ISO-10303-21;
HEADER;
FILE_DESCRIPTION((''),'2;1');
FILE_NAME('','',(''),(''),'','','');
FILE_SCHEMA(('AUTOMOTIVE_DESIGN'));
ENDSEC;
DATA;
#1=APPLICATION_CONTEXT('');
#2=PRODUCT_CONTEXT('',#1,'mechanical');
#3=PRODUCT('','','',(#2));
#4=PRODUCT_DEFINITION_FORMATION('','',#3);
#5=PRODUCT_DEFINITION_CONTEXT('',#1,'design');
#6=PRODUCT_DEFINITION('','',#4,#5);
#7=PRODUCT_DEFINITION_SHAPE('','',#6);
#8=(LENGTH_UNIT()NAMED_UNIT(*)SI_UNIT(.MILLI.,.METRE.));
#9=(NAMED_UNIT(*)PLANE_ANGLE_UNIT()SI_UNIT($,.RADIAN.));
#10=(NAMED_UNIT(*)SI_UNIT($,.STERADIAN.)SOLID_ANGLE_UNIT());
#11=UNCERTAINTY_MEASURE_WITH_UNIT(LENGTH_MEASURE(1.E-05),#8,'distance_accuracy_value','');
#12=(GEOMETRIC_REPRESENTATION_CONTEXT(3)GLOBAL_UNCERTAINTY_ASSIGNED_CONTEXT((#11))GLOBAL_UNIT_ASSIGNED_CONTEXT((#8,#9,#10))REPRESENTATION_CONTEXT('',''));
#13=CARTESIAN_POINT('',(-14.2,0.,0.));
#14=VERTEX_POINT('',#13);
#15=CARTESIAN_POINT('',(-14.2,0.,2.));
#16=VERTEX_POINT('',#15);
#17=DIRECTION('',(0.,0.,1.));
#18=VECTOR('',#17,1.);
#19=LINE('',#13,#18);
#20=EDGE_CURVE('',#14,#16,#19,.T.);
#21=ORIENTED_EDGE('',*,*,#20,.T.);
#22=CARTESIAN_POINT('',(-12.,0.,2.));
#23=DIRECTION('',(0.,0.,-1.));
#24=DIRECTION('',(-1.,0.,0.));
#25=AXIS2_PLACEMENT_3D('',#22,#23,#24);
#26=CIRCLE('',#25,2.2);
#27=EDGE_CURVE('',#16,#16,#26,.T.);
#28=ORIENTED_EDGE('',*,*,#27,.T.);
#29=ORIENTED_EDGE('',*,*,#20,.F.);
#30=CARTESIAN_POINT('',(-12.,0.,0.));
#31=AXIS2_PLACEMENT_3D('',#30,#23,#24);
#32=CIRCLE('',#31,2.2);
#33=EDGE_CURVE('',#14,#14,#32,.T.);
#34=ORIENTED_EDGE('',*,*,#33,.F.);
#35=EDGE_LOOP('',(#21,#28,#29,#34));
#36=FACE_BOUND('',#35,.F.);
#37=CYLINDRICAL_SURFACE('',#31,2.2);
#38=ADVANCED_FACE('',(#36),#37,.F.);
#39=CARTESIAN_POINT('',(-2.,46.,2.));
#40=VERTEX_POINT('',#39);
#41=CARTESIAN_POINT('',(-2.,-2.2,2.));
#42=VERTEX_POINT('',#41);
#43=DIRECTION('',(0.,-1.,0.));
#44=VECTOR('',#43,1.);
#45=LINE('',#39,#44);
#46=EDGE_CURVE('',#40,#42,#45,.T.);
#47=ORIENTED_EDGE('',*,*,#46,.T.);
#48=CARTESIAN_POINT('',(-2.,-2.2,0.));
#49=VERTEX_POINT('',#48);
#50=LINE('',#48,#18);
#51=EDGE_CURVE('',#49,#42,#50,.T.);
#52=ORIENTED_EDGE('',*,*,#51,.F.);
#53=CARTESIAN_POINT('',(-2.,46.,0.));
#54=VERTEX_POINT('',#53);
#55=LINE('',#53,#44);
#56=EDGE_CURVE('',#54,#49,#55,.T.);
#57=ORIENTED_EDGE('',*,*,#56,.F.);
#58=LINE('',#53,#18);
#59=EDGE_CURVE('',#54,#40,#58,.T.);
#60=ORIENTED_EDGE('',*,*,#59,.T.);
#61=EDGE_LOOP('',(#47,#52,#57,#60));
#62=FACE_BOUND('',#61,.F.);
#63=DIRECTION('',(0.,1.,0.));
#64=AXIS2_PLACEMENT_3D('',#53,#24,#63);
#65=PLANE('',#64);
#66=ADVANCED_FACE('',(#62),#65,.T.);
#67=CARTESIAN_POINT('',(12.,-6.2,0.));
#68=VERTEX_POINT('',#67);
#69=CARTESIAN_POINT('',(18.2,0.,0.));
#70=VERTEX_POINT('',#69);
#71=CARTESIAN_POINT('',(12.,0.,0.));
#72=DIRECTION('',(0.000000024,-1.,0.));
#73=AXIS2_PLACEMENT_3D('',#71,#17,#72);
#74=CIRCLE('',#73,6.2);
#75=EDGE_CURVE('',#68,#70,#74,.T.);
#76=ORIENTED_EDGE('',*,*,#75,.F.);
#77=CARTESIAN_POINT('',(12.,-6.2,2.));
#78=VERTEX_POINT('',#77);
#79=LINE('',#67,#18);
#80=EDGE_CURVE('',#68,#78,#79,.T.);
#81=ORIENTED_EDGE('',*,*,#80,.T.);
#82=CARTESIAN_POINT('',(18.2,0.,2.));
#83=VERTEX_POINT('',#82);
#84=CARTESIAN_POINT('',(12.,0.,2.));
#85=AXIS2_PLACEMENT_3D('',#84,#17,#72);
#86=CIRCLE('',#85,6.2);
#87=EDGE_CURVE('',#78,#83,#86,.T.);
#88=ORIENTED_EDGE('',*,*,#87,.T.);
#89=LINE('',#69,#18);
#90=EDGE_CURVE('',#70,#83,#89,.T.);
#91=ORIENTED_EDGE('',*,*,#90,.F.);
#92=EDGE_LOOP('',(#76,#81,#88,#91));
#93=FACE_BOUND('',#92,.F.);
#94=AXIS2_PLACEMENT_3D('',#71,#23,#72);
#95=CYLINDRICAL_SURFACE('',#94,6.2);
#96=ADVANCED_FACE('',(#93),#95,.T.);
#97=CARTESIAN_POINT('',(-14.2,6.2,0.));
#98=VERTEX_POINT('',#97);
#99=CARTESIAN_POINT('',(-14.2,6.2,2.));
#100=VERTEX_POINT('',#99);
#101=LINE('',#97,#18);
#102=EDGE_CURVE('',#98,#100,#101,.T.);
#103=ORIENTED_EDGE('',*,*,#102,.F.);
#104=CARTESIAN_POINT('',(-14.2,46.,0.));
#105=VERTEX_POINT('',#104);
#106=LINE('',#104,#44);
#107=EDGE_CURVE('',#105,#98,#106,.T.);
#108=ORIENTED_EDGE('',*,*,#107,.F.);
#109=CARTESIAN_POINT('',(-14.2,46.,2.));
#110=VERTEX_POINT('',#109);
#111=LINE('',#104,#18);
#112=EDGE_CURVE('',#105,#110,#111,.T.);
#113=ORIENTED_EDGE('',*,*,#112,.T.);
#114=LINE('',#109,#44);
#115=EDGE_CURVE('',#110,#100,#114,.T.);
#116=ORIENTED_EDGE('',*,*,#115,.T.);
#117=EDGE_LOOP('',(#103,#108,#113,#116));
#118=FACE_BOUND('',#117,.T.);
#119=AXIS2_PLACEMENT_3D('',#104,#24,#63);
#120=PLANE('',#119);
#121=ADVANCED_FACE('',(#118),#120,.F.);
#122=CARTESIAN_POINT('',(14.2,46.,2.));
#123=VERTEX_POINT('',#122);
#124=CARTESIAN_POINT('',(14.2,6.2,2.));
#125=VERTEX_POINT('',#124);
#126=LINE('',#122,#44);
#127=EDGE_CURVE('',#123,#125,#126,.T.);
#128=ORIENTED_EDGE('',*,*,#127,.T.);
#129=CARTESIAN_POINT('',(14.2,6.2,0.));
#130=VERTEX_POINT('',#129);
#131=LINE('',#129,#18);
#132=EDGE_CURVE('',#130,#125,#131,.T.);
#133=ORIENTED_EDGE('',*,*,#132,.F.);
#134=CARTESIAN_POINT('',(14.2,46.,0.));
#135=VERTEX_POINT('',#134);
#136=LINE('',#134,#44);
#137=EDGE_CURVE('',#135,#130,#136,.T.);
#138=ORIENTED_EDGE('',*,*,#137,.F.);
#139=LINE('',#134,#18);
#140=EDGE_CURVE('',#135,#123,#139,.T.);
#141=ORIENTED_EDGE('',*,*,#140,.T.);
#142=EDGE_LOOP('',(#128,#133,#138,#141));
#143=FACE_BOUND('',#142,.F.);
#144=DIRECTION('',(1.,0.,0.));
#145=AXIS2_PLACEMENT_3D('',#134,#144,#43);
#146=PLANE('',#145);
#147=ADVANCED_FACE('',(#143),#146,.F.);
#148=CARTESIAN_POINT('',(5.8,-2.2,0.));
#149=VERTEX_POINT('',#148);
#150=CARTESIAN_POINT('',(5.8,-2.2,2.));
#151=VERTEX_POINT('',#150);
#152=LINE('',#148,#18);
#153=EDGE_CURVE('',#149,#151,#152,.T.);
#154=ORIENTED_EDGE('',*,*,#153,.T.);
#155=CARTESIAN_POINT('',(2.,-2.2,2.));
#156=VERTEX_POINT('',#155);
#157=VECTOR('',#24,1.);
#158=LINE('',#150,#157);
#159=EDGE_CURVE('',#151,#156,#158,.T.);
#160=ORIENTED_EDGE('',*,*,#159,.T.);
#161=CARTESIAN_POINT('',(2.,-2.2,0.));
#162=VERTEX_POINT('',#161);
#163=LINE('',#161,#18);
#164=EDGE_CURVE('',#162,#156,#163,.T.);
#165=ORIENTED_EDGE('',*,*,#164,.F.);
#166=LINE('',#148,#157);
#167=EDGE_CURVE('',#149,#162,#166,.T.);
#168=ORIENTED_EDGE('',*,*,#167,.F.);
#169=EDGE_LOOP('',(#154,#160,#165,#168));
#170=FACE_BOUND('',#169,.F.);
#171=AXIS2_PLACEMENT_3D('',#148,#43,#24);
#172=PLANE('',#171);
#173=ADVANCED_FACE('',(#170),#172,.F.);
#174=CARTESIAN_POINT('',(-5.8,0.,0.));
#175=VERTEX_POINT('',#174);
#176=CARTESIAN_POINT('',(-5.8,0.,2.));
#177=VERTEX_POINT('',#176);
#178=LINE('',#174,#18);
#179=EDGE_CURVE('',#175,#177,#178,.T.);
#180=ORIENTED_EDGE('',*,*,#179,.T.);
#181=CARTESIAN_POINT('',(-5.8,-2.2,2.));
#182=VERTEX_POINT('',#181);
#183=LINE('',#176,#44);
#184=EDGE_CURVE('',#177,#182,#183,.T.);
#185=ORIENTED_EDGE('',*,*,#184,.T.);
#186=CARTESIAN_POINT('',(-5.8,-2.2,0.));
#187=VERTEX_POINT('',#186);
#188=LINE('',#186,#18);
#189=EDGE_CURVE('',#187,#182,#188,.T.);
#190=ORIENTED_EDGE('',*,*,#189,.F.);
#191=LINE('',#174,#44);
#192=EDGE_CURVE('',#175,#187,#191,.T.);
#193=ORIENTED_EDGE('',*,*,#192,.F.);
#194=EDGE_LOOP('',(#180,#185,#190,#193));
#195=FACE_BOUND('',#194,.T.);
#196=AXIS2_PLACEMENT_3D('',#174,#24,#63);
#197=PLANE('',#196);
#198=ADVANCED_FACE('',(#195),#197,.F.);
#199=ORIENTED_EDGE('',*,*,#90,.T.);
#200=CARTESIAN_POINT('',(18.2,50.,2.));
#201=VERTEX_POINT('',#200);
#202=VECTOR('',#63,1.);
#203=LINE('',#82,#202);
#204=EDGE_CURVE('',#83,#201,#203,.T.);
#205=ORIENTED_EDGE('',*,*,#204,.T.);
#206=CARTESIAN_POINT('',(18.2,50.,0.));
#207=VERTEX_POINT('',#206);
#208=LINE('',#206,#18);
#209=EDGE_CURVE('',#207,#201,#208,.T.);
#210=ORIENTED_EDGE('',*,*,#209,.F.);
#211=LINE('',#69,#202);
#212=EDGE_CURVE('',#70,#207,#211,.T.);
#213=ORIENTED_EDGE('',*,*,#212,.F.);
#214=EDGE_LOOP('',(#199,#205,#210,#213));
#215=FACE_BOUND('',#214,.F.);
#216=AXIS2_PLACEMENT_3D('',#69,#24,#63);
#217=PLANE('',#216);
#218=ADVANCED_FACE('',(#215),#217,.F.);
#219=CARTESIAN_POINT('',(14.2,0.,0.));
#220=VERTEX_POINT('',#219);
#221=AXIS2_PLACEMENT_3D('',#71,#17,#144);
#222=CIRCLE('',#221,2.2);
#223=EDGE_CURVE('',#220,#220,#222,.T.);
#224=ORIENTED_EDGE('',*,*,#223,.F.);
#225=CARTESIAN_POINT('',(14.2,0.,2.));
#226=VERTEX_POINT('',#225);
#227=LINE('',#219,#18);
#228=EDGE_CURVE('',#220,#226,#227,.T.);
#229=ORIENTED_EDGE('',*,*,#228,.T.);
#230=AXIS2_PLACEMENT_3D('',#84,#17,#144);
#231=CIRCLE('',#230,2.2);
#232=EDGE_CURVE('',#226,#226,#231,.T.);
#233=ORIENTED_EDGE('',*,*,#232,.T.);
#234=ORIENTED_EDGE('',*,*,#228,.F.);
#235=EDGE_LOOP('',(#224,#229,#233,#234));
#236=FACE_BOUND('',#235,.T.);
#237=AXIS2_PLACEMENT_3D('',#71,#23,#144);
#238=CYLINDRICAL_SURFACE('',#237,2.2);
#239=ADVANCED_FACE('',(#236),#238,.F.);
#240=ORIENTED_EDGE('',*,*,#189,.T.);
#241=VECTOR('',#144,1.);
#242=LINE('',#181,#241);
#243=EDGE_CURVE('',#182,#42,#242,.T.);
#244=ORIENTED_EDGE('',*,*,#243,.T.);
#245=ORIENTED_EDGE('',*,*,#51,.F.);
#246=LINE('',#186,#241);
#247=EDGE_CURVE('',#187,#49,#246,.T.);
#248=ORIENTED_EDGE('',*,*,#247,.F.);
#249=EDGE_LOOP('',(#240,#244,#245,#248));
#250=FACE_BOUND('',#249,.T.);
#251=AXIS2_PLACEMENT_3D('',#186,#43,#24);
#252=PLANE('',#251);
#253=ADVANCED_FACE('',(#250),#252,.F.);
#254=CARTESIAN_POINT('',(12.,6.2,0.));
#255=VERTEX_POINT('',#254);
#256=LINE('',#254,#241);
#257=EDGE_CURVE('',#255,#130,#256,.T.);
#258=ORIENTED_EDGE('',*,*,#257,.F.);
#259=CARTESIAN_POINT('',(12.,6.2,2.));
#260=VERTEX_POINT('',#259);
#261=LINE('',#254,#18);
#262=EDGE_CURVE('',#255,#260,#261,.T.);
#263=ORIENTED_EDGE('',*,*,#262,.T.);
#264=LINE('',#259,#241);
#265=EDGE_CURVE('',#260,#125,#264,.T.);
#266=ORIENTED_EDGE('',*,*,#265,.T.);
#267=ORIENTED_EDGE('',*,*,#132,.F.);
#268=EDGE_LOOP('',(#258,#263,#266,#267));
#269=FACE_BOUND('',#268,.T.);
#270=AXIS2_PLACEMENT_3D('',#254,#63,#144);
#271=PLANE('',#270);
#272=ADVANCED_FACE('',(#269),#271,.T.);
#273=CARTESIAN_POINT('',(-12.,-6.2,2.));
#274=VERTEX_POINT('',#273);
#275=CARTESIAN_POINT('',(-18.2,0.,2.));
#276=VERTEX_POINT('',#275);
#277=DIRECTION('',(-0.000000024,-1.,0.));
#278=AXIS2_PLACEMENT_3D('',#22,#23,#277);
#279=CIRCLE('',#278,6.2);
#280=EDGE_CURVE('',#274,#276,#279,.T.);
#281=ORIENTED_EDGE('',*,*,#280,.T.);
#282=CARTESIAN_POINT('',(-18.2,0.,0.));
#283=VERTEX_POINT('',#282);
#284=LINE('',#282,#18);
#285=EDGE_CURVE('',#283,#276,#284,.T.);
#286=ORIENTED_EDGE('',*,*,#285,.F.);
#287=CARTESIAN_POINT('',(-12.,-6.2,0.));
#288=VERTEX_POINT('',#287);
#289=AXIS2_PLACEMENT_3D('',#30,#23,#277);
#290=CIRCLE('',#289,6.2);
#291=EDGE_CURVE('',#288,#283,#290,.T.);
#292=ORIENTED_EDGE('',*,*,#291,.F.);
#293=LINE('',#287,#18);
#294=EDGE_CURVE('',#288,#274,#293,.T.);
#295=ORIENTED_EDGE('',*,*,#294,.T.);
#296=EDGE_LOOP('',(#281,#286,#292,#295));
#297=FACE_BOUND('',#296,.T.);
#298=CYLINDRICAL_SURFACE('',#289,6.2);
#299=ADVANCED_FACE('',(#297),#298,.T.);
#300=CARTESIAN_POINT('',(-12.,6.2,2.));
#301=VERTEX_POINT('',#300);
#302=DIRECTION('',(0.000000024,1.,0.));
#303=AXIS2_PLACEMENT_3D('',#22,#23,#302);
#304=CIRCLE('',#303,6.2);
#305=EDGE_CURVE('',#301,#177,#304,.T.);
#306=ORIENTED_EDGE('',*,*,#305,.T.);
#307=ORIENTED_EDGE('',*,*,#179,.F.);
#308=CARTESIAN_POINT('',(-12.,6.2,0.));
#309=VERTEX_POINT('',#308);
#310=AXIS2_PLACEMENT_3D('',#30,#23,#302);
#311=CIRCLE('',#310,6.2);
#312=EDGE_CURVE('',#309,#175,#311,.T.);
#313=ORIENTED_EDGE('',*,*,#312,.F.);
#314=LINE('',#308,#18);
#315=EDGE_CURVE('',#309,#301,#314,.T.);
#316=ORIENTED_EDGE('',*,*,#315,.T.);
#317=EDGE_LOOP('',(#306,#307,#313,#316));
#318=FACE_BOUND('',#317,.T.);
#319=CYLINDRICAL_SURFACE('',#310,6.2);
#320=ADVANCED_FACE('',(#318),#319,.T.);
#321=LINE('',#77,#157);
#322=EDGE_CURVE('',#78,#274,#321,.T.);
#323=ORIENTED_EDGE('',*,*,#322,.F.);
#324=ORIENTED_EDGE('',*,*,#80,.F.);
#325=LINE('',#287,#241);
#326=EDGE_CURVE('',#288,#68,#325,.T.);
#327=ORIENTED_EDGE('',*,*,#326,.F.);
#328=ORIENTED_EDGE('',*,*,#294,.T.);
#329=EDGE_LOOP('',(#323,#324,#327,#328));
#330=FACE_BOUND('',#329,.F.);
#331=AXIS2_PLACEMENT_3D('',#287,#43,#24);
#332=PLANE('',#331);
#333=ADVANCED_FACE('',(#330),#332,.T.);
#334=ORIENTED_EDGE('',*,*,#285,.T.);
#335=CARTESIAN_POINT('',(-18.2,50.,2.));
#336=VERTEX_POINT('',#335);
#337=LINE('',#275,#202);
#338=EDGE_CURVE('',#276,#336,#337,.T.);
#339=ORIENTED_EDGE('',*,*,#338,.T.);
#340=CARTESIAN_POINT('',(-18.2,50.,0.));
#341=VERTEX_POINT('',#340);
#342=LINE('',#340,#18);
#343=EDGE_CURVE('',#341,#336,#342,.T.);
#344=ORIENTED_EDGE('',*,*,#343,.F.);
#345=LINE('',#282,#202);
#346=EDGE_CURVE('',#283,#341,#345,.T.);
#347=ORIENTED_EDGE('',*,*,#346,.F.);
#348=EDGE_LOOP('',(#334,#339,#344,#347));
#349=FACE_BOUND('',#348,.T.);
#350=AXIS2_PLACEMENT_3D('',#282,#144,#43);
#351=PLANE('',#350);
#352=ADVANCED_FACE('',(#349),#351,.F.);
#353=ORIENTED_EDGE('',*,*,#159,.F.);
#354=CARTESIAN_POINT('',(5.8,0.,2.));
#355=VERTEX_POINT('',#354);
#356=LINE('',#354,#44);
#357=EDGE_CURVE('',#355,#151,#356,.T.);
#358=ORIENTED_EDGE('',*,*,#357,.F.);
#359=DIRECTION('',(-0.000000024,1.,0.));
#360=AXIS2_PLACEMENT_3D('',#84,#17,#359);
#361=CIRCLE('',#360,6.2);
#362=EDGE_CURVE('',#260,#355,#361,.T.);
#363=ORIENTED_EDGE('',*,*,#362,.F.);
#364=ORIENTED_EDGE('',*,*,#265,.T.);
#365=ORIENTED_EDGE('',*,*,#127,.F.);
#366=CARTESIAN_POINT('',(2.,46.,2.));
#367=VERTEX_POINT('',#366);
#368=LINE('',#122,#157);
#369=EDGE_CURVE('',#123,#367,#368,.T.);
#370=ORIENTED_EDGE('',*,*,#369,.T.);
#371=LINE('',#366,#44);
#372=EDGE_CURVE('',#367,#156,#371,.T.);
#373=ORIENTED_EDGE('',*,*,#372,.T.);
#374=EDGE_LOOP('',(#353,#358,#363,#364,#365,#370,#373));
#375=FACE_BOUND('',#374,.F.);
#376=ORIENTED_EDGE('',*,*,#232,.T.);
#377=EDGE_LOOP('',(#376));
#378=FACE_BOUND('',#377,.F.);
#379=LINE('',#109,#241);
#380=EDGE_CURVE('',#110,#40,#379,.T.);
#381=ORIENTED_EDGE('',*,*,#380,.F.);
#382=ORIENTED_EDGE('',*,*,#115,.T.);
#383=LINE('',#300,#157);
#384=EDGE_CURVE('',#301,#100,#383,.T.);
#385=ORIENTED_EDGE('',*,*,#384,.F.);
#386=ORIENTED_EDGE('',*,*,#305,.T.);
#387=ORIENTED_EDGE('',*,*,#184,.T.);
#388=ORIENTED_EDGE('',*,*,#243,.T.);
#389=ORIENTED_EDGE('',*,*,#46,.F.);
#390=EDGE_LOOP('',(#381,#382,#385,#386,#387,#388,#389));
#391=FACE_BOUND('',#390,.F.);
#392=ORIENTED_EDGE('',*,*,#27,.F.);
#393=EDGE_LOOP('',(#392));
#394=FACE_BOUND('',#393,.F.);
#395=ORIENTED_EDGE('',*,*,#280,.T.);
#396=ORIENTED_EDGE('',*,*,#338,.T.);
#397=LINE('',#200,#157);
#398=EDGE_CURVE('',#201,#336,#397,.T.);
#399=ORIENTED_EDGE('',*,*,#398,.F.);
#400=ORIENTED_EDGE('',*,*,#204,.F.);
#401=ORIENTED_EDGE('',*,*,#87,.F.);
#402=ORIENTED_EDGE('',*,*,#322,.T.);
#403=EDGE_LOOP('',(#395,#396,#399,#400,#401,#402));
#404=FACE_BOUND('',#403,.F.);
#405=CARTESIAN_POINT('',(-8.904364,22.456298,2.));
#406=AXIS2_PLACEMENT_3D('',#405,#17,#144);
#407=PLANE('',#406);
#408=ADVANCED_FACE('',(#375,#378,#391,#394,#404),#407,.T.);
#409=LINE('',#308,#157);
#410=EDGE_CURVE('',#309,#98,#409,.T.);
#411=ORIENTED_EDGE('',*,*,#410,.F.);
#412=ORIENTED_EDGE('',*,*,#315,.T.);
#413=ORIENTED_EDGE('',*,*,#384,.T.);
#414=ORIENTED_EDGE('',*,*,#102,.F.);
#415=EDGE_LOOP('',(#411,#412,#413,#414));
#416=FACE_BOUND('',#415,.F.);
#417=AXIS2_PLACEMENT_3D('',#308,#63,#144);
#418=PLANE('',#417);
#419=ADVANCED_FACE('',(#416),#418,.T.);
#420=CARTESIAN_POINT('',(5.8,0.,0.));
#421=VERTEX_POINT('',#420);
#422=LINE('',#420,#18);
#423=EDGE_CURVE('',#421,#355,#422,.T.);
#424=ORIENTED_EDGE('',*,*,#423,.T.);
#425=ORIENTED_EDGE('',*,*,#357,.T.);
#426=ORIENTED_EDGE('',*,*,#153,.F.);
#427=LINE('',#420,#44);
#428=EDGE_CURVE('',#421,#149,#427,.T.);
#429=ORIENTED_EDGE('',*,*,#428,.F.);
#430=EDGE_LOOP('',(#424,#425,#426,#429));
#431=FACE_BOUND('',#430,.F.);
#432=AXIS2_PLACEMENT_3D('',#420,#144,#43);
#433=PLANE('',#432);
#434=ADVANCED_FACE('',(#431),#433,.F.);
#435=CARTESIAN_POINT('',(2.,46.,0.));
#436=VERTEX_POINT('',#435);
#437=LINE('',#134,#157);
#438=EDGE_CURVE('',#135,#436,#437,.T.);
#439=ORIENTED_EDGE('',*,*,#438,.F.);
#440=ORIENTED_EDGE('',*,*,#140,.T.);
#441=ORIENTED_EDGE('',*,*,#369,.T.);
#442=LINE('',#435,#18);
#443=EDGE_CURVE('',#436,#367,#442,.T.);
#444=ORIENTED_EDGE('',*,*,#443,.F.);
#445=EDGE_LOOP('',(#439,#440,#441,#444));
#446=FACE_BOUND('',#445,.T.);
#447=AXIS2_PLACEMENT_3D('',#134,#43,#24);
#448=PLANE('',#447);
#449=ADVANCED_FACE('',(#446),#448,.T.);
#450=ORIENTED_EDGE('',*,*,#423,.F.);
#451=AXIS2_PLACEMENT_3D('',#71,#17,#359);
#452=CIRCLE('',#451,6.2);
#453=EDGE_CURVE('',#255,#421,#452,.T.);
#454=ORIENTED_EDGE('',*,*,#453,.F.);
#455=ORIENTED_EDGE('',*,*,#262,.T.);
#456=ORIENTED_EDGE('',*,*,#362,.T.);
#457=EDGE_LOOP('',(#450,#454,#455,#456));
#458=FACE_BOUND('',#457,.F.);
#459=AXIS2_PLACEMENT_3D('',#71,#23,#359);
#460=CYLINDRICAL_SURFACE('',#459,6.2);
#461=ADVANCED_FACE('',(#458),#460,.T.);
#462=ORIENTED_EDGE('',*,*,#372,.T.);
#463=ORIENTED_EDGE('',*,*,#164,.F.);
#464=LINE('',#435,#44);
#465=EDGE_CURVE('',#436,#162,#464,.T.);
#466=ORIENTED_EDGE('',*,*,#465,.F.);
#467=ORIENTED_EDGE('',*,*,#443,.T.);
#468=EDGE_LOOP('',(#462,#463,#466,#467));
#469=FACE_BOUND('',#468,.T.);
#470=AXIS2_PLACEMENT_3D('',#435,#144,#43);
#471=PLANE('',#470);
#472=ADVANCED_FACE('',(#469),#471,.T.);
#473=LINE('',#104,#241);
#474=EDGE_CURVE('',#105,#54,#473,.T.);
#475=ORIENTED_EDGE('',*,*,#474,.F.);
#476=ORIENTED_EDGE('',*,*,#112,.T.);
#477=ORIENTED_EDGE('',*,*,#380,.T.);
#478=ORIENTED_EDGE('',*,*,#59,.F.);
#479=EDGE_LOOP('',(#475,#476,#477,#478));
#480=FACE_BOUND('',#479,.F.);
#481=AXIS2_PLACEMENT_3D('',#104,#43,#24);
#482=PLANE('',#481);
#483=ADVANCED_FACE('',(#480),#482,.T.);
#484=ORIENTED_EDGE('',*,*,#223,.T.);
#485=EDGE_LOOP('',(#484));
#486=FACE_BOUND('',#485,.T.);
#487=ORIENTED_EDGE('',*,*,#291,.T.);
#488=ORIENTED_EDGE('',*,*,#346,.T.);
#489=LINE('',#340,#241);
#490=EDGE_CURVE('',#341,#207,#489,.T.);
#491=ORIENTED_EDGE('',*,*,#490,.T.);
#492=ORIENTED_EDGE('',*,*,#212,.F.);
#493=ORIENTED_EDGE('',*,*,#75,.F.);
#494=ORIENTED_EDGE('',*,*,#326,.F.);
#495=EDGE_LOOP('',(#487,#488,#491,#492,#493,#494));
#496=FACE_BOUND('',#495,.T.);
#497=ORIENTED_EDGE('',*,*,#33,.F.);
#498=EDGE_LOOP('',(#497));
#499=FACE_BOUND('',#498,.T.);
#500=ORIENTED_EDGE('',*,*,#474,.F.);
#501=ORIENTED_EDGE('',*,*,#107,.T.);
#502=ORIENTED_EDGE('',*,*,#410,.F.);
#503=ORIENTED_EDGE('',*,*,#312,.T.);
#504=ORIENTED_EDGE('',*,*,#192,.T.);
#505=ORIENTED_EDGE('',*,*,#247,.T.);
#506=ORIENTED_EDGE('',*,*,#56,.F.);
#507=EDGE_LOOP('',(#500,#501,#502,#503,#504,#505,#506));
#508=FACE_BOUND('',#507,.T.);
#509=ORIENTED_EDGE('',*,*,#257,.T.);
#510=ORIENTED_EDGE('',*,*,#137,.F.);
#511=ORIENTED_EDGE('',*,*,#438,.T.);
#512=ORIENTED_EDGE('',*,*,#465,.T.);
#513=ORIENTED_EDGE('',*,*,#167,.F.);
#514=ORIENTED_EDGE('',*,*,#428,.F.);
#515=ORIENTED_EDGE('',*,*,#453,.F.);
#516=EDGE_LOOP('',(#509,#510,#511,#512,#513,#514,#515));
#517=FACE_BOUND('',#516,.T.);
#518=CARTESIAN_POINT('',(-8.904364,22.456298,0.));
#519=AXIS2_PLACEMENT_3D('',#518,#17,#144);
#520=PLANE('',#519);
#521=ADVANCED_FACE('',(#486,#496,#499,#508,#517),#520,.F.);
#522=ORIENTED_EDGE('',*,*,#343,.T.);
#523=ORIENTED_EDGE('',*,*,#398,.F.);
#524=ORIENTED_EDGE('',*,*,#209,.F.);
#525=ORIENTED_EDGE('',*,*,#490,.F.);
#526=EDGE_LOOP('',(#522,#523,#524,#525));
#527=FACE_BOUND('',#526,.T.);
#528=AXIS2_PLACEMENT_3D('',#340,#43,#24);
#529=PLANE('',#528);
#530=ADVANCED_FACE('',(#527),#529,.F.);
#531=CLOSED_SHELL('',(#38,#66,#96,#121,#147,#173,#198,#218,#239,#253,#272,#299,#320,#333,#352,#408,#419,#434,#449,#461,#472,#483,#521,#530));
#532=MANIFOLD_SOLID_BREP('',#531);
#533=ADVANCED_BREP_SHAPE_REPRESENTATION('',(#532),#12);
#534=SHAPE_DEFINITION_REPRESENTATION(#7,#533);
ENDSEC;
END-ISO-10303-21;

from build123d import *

# Parameters (mm, degrees)
SKETCH_R  = 2.2
PAD_DEPTH = 2


with BuildPart() as part:
    # Sketch → Pad (new body)
    with BuildSketch(Plane.XY):
        with BuildLine():
            ThreePointArc((12, -6.2), (16.384062, -4.384062), (18.2, 0))
            Line((18.2, 0), (18.2, 50))
            Line((18.2, 50), (0, 50))
            Line((0, -6.2), (0, 50))
            Line((12, -6.2), (0, -6.2))
        make_face()
        with Locations((12, 0)):
            Circle(SKETCH_R, mode=Mode.SUBTRACT)
        with BuildLine():
            ThreePointArc((12, 6.2), (7.615938, 4.384062), (5.8, 0))
            Line((5.8, 0), (5.8, -2.2))
            Line((5.8, -2.2), (2, -2.2))
            Line((2, 46), (2, -2.2))
            Line((14.2, 46), (2, 46))
            Line((14.2, 46), (14.2, 6.2))
            Line((12, 6.2), (14.2, 6.2))
        make_face(mode=Mode.SUBTRACT)
    pad = extrude(amount=PAD_DEPTH)

    # Mirrored: Pad across Sketch V_Axis
    add(pad.mirror(Plane(origin=(0, 0, 0), x_dir=(0, 0, 1), z_dir=(1, 0, 0))))


solid = part.part
